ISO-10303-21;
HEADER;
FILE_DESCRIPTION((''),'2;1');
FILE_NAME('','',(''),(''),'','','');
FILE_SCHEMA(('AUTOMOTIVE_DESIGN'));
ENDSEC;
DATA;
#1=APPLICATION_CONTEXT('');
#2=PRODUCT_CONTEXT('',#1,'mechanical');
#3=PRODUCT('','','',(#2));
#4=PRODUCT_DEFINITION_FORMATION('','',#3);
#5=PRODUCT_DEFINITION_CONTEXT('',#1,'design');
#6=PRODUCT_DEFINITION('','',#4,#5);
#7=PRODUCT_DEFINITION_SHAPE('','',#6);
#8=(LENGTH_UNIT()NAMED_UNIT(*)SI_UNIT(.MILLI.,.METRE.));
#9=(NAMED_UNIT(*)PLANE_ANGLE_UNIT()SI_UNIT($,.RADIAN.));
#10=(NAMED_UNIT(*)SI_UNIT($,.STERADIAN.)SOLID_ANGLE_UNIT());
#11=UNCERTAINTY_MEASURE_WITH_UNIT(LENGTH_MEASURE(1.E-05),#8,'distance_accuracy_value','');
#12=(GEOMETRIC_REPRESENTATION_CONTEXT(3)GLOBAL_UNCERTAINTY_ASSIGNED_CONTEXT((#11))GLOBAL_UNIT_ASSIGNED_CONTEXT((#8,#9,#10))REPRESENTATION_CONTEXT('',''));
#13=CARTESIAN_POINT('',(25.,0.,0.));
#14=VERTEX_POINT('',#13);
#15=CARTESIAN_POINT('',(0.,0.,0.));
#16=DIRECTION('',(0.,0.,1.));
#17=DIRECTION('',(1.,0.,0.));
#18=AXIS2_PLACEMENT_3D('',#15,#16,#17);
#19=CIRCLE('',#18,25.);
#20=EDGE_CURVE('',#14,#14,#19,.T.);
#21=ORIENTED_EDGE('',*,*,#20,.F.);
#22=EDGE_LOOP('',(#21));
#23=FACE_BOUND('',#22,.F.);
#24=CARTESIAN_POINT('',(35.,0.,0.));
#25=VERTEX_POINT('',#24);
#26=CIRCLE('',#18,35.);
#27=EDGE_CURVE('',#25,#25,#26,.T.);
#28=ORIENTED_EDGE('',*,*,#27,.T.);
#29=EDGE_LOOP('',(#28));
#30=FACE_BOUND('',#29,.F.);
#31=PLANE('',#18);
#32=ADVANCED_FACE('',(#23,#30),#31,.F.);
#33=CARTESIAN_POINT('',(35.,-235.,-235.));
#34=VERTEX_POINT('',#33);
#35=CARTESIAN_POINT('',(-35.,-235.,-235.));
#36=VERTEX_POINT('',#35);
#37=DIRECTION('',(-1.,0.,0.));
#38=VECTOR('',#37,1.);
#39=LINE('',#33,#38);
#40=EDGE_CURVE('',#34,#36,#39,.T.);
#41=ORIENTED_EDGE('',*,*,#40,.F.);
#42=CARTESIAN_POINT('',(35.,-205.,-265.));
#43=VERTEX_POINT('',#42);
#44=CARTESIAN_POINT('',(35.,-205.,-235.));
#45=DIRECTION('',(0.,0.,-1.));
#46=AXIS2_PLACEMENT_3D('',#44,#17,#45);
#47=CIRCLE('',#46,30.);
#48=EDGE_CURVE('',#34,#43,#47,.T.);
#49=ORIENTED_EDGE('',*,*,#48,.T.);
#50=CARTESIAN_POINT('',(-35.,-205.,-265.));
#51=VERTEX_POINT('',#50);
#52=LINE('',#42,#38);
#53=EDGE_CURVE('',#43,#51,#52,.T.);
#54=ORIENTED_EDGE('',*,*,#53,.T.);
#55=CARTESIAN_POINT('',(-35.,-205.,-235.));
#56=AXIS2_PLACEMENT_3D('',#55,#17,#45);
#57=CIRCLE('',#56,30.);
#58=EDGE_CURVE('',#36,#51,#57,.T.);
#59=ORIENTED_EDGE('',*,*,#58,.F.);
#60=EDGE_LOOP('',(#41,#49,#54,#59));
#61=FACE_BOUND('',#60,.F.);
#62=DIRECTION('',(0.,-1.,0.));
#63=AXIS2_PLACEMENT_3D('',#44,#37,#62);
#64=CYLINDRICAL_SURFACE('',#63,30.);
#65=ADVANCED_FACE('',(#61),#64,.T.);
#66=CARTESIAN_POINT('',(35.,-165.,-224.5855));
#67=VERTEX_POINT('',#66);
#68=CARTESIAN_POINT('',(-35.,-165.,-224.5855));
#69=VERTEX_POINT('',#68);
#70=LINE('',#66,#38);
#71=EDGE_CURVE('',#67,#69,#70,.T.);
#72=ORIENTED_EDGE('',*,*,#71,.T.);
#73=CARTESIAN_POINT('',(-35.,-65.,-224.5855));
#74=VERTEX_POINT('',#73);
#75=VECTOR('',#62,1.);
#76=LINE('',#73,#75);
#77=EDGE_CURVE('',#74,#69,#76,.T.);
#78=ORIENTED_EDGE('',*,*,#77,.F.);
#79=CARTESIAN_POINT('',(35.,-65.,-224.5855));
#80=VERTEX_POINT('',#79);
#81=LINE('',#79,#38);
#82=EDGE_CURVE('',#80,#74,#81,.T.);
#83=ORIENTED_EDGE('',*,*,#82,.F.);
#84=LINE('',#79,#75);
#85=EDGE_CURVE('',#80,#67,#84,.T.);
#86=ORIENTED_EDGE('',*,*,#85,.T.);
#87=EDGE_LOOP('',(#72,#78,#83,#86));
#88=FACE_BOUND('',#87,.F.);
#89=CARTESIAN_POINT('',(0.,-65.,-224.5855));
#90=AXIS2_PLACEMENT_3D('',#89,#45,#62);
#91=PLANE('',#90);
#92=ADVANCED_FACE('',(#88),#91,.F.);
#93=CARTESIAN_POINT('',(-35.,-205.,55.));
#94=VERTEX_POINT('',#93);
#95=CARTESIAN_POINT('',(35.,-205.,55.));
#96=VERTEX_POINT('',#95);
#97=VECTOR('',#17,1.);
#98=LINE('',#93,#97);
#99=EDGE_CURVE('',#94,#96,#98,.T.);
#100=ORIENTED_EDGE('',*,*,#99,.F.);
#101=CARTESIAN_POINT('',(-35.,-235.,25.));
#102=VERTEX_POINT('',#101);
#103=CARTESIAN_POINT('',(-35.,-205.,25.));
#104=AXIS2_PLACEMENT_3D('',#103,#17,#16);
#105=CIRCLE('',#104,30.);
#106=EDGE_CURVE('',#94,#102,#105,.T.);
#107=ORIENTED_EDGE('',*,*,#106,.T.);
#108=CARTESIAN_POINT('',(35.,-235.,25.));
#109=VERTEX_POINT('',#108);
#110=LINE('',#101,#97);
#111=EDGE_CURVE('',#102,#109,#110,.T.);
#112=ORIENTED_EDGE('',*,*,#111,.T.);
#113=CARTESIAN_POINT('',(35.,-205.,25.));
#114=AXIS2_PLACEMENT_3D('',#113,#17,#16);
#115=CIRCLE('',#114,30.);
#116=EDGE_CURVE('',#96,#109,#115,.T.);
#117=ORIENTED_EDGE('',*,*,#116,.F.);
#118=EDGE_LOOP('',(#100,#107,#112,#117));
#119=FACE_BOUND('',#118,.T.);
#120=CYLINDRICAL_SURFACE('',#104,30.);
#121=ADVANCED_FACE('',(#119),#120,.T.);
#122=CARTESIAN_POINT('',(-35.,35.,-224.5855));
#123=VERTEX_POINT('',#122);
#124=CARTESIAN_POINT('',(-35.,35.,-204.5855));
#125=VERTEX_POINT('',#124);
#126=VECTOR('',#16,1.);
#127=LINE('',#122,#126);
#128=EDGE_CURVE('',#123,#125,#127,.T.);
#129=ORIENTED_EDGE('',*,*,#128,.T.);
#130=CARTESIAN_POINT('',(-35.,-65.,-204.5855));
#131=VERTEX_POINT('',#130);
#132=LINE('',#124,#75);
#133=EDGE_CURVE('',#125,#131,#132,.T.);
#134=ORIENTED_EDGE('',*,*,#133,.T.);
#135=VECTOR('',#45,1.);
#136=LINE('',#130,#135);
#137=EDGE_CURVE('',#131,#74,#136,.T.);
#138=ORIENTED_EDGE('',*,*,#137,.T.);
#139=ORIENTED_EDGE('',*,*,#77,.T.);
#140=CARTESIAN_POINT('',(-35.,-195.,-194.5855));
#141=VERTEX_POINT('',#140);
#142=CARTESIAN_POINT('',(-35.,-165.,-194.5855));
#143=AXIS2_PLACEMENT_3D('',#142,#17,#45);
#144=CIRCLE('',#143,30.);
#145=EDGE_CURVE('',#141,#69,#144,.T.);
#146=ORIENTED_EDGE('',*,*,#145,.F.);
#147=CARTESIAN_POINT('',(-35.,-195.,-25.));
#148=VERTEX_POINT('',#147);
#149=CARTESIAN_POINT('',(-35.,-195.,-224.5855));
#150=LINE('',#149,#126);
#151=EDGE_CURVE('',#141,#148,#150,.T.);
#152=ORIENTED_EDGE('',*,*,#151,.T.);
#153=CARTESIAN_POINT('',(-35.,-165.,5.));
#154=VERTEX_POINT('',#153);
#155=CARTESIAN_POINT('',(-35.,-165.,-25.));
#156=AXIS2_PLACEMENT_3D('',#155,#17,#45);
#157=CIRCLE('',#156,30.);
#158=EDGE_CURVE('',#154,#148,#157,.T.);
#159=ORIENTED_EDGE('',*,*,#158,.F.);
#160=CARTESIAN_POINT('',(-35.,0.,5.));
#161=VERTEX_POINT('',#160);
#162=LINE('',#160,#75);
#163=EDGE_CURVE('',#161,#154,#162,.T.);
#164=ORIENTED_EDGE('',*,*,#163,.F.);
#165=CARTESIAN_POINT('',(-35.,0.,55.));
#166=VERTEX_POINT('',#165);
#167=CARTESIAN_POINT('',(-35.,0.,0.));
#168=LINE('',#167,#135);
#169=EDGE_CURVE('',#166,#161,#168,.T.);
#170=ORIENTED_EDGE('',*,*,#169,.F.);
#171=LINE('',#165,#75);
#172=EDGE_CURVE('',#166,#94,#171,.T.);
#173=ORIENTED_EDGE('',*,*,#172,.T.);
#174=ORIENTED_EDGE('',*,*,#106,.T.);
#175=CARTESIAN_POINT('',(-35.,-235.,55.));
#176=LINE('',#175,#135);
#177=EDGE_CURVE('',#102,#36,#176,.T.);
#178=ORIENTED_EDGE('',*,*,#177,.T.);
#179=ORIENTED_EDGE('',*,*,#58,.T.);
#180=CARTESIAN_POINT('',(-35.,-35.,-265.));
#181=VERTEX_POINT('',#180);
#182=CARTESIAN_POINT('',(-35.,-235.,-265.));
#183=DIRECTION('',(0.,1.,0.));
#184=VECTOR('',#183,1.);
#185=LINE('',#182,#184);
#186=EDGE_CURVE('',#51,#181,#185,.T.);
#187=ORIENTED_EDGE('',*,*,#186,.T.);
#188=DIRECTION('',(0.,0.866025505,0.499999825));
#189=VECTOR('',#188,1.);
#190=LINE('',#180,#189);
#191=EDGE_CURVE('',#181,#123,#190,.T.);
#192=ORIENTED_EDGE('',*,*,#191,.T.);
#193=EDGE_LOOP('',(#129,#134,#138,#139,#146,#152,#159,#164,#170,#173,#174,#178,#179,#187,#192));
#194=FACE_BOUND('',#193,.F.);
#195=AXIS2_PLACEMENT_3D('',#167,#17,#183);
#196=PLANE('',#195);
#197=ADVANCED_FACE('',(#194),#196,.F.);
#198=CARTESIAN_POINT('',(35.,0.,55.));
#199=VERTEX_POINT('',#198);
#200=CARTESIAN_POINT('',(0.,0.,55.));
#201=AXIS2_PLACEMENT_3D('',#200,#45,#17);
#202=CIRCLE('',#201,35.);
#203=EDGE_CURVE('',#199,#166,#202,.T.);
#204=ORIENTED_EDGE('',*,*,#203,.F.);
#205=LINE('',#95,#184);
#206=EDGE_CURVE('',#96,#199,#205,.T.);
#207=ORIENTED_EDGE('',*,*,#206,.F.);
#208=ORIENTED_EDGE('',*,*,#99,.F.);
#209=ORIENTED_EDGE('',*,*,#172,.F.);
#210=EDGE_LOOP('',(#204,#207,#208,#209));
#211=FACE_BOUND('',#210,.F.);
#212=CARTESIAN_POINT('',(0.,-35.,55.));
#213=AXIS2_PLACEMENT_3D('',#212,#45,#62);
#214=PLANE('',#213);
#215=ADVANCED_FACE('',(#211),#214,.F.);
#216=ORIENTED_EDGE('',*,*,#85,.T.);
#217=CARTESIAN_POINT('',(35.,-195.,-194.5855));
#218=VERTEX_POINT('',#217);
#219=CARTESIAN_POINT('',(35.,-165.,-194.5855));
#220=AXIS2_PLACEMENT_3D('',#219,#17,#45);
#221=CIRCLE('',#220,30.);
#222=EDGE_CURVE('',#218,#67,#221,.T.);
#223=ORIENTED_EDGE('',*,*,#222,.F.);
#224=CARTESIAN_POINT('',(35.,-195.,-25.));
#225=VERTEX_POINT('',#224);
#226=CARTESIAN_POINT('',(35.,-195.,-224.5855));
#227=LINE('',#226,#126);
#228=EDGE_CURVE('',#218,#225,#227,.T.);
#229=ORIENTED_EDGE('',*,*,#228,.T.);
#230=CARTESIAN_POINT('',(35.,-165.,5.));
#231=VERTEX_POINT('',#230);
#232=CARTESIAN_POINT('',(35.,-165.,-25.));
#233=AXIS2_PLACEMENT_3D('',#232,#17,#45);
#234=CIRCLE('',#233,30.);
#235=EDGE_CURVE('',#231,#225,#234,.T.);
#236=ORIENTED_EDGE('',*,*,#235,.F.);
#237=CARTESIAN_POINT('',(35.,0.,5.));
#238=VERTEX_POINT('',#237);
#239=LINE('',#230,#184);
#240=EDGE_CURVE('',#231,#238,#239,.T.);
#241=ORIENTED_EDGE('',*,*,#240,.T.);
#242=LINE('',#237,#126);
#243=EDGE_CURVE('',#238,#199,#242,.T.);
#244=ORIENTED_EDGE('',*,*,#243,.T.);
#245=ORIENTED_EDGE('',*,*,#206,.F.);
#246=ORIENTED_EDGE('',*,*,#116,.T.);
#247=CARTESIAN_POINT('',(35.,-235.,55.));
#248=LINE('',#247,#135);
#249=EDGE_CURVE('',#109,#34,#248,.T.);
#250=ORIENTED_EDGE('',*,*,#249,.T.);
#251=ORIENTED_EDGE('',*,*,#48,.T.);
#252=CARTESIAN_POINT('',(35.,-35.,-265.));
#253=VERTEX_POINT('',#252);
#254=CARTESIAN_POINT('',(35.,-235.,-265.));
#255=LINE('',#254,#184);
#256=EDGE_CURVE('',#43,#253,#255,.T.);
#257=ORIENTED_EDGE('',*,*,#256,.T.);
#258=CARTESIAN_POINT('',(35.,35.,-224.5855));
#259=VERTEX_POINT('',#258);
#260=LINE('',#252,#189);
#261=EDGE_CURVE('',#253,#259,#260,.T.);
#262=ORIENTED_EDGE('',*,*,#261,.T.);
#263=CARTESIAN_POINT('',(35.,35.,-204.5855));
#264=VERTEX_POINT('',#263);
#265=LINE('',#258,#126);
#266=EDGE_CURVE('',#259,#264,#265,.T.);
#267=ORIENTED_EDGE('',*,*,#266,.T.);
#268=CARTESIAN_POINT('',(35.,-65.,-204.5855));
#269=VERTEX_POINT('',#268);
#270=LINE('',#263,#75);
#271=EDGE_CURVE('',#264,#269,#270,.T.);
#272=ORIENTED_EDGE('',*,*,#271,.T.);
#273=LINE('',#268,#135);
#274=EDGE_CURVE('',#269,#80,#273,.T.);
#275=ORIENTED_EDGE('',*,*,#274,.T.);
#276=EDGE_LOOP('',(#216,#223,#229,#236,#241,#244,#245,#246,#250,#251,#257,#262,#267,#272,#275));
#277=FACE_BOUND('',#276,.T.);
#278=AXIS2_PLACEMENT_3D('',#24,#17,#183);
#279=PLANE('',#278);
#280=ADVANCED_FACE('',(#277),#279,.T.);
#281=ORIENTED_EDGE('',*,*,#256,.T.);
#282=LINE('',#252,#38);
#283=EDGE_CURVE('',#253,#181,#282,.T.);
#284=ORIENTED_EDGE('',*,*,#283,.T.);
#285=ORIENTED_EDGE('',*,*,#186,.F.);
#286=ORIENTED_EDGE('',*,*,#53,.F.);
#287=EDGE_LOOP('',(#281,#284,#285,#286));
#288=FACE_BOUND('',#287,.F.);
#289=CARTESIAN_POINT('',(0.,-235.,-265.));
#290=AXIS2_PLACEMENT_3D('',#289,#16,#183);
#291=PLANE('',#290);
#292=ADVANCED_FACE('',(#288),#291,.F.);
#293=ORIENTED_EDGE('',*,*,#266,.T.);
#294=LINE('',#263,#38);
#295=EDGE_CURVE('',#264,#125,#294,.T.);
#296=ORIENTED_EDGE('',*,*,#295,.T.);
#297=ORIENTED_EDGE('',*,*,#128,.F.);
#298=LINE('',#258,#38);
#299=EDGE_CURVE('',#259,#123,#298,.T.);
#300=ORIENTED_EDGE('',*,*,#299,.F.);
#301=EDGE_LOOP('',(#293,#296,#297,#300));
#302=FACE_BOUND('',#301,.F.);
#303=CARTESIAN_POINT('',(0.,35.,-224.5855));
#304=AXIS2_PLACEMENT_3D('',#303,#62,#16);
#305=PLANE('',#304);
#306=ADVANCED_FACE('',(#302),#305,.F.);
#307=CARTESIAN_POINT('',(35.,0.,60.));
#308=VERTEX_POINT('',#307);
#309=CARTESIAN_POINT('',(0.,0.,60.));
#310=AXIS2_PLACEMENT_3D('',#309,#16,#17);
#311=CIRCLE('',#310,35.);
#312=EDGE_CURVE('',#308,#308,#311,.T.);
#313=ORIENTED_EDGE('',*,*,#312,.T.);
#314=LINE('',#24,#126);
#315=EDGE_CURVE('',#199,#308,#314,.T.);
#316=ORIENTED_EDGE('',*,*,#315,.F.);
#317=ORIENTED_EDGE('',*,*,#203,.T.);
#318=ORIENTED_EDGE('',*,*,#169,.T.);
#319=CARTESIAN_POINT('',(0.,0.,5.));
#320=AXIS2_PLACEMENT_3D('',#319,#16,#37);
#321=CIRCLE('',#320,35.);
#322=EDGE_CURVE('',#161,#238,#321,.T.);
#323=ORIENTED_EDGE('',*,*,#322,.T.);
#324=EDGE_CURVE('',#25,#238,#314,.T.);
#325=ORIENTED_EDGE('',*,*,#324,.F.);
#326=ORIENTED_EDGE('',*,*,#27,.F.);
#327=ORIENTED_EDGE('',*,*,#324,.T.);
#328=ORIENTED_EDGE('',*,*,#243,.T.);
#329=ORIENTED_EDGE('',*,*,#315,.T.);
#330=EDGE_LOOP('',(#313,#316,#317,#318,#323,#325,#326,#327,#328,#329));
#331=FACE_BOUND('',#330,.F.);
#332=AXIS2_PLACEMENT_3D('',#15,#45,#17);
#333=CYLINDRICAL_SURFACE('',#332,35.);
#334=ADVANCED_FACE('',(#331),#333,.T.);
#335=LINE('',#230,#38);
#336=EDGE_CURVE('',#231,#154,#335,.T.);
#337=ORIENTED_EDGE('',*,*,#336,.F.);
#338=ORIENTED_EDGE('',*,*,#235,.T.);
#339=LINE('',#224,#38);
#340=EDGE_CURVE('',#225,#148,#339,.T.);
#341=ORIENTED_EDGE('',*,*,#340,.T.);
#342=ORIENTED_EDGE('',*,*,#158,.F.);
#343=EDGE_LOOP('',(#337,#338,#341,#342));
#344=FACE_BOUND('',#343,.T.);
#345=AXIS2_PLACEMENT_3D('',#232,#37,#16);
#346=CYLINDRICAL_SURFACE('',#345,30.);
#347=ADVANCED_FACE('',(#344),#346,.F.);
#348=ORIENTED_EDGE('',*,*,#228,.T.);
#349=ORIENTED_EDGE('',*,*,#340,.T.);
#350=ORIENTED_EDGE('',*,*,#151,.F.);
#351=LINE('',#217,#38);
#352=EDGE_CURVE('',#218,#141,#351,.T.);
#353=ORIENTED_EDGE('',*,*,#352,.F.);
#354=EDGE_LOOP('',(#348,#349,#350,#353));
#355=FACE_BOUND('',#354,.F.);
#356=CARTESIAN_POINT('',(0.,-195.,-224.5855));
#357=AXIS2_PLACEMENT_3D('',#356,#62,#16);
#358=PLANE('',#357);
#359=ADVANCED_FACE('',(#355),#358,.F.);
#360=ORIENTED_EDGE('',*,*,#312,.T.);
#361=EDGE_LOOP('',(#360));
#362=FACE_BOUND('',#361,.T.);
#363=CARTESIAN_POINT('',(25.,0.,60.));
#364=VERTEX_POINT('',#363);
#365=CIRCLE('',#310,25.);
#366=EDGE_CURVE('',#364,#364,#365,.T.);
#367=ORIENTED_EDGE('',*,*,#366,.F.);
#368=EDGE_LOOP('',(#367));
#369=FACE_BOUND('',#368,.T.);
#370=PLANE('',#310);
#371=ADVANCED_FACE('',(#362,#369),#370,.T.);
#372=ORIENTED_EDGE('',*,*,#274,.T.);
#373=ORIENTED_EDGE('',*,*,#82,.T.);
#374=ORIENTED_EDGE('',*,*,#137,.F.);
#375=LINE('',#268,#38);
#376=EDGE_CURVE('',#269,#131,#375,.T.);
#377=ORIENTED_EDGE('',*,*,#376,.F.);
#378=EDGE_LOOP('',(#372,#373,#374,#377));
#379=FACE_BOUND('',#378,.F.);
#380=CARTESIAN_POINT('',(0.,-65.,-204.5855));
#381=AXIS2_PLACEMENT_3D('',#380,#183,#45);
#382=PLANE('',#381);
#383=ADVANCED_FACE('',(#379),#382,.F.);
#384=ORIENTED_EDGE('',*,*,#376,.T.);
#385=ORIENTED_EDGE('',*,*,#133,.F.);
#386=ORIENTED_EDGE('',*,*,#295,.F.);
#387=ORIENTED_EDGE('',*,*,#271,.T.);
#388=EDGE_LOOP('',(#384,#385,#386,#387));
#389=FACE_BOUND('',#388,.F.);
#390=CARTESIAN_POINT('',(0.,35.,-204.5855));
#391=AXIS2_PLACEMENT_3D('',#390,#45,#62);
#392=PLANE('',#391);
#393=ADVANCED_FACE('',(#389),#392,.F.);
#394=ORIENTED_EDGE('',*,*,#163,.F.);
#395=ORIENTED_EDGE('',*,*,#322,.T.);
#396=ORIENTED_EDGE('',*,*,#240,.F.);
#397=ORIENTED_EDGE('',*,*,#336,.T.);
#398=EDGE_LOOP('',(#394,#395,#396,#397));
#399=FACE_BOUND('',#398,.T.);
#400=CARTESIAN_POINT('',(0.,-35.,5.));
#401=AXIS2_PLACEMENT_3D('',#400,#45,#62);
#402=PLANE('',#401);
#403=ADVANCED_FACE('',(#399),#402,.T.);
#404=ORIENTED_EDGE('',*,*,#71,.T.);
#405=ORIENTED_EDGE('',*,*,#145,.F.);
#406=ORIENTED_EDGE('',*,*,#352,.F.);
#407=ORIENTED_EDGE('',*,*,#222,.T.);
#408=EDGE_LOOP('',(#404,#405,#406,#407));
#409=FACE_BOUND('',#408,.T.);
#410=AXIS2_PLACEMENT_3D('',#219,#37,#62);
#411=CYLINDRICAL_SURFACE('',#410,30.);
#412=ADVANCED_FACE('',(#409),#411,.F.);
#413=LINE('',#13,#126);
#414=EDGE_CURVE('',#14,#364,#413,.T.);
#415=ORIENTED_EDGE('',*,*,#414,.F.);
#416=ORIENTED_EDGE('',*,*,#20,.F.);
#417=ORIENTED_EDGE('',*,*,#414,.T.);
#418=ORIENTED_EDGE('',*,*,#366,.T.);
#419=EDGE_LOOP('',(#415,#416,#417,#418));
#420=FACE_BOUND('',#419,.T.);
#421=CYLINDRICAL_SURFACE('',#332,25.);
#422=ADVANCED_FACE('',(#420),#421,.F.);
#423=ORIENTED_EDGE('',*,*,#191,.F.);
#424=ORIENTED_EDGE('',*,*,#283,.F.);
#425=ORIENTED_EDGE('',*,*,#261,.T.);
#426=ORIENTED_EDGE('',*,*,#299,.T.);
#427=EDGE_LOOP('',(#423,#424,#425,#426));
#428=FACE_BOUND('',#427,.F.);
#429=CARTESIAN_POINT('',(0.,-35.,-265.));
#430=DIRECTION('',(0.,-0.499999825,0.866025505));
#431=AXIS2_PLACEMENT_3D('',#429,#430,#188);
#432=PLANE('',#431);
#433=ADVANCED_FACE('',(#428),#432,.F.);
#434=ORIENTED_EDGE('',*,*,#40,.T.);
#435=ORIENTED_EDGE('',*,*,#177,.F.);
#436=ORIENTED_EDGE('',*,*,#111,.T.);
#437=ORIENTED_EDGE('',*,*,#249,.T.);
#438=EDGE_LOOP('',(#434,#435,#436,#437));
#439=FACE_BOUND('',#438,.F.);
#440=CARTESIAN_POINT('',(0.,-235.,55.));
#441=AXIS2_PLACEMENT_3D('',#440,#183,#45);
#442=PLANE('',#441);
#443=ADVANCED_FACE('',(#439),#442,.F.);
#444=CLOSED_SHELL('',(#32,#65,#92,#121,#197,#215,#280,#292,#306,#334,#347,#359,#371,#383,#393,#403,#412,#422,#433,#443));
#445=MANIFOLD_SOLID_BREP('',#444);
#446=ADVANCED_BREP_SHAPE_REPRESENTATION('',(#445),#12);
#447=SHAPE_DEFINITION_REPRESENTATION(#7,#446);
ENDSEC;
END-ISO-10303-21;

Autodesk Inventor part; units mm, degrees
ref_plane "YZ Plane" through (0, 0, 0) normal (1, 0, 0) x (0, 1, 0)
ref_plane "XZ Plane" through (0, 0, 0) normal (0, 1, 0) x (-1, 0, 0)
ref_plane "XY Plane" through (0, 0, 0) normal (0, 0, 1) x (1, 0, 0)
sketch "Esboço1" plane through (0, 0, 0) normal (0, 0, 1) x (1, 0, 0)
  circle A0 centre (0, 0) radius 25
  circle A1 centre (0, 0) radius 35
  dimension "d0" = 50
  dimension "d1" = 70
extrude "Extrusão1" add sketch "Esboço1" along normal blind 60
sketch "Esboço2" plane through (0, 0, 0) normal (1, 0, 0) x (0, 1, 0)
  line L0 (35, 0) -> (-35, 0) construction
  line L1 (-35, 0) -> (-35, 5) construction
  line L2 (-35, 0) -> (-35, 60) construction
  line L3 (-35, 5) -> (-195, 5)
  line L4 (-35, 60) -> (-35, 55) construction
  line L5 (-35, 55) -> (-235, 55)
  line L6 (-235, 55) -> (-235, -265)
  line L7 (-235, -265) -> (-35, -265)
  line L8 (-35, -265) -> (35, -224.5855)
  line L9 (35, 0) -> (35, -224.5855) construction
  line L10 (35, -224.5855) -> (35, -204.5855)
  line L11 (35, -204.5855) -> (-65, -204.5855)
  line L12 (-65, -204.5855) -> (-65, -224.5855)
  line L13 (-65, -224.5855) -> (-195, -224.5855)
  line L14 (-195, -224.5855) -> (-195, 5)
  line L15 (-35, 55) -> (-35, 5)
  point P0 (0, 0)
  dimension "d4" = 5
  dimension "d5" = 160
  dimension "d6" = 5
  dimension "d7" = 200
  dimension "d8" = 320
  dimension "d9" = 200
  dimension "d10" = 150
  dimension "d11" = 20
  dimension "d12" = 100
  dimension "d13" = 20
  dimension "d14" = 130
extrude "Extrusão2" add sketch "Esboço2" along normal mid plane 70
fillet "Arredondamento1" radius 30 4 edges at (0, -235, 55) (0, -195, 5) (0, -235, -265) (0, -195, -224.5855)
sketch "Esboço3" plane through (-35, -35, 5) normal (0, 1, 0) x (1, 0, 0)
  line L0 (70, -20) -> (70, -50) projected
  line L1 (0, 0) -> (70, 0) projected
  line L2 (70, -50) -> (0, -50)
  line L3 (0, -50) -> (0, 0)
  line L4 (0, 0) -> (70, 0)
  line L5 (70, 0) -> (70, -50)
  point P0 (35, 5)
extrude "Extrusão3" add sketch "Esboço3" along normal up to next
thread "Rosca1" size "M50x4" class "6H" standard "ANSI Metric M Profile" length 60
properties part number "Corpo da Morsa"
